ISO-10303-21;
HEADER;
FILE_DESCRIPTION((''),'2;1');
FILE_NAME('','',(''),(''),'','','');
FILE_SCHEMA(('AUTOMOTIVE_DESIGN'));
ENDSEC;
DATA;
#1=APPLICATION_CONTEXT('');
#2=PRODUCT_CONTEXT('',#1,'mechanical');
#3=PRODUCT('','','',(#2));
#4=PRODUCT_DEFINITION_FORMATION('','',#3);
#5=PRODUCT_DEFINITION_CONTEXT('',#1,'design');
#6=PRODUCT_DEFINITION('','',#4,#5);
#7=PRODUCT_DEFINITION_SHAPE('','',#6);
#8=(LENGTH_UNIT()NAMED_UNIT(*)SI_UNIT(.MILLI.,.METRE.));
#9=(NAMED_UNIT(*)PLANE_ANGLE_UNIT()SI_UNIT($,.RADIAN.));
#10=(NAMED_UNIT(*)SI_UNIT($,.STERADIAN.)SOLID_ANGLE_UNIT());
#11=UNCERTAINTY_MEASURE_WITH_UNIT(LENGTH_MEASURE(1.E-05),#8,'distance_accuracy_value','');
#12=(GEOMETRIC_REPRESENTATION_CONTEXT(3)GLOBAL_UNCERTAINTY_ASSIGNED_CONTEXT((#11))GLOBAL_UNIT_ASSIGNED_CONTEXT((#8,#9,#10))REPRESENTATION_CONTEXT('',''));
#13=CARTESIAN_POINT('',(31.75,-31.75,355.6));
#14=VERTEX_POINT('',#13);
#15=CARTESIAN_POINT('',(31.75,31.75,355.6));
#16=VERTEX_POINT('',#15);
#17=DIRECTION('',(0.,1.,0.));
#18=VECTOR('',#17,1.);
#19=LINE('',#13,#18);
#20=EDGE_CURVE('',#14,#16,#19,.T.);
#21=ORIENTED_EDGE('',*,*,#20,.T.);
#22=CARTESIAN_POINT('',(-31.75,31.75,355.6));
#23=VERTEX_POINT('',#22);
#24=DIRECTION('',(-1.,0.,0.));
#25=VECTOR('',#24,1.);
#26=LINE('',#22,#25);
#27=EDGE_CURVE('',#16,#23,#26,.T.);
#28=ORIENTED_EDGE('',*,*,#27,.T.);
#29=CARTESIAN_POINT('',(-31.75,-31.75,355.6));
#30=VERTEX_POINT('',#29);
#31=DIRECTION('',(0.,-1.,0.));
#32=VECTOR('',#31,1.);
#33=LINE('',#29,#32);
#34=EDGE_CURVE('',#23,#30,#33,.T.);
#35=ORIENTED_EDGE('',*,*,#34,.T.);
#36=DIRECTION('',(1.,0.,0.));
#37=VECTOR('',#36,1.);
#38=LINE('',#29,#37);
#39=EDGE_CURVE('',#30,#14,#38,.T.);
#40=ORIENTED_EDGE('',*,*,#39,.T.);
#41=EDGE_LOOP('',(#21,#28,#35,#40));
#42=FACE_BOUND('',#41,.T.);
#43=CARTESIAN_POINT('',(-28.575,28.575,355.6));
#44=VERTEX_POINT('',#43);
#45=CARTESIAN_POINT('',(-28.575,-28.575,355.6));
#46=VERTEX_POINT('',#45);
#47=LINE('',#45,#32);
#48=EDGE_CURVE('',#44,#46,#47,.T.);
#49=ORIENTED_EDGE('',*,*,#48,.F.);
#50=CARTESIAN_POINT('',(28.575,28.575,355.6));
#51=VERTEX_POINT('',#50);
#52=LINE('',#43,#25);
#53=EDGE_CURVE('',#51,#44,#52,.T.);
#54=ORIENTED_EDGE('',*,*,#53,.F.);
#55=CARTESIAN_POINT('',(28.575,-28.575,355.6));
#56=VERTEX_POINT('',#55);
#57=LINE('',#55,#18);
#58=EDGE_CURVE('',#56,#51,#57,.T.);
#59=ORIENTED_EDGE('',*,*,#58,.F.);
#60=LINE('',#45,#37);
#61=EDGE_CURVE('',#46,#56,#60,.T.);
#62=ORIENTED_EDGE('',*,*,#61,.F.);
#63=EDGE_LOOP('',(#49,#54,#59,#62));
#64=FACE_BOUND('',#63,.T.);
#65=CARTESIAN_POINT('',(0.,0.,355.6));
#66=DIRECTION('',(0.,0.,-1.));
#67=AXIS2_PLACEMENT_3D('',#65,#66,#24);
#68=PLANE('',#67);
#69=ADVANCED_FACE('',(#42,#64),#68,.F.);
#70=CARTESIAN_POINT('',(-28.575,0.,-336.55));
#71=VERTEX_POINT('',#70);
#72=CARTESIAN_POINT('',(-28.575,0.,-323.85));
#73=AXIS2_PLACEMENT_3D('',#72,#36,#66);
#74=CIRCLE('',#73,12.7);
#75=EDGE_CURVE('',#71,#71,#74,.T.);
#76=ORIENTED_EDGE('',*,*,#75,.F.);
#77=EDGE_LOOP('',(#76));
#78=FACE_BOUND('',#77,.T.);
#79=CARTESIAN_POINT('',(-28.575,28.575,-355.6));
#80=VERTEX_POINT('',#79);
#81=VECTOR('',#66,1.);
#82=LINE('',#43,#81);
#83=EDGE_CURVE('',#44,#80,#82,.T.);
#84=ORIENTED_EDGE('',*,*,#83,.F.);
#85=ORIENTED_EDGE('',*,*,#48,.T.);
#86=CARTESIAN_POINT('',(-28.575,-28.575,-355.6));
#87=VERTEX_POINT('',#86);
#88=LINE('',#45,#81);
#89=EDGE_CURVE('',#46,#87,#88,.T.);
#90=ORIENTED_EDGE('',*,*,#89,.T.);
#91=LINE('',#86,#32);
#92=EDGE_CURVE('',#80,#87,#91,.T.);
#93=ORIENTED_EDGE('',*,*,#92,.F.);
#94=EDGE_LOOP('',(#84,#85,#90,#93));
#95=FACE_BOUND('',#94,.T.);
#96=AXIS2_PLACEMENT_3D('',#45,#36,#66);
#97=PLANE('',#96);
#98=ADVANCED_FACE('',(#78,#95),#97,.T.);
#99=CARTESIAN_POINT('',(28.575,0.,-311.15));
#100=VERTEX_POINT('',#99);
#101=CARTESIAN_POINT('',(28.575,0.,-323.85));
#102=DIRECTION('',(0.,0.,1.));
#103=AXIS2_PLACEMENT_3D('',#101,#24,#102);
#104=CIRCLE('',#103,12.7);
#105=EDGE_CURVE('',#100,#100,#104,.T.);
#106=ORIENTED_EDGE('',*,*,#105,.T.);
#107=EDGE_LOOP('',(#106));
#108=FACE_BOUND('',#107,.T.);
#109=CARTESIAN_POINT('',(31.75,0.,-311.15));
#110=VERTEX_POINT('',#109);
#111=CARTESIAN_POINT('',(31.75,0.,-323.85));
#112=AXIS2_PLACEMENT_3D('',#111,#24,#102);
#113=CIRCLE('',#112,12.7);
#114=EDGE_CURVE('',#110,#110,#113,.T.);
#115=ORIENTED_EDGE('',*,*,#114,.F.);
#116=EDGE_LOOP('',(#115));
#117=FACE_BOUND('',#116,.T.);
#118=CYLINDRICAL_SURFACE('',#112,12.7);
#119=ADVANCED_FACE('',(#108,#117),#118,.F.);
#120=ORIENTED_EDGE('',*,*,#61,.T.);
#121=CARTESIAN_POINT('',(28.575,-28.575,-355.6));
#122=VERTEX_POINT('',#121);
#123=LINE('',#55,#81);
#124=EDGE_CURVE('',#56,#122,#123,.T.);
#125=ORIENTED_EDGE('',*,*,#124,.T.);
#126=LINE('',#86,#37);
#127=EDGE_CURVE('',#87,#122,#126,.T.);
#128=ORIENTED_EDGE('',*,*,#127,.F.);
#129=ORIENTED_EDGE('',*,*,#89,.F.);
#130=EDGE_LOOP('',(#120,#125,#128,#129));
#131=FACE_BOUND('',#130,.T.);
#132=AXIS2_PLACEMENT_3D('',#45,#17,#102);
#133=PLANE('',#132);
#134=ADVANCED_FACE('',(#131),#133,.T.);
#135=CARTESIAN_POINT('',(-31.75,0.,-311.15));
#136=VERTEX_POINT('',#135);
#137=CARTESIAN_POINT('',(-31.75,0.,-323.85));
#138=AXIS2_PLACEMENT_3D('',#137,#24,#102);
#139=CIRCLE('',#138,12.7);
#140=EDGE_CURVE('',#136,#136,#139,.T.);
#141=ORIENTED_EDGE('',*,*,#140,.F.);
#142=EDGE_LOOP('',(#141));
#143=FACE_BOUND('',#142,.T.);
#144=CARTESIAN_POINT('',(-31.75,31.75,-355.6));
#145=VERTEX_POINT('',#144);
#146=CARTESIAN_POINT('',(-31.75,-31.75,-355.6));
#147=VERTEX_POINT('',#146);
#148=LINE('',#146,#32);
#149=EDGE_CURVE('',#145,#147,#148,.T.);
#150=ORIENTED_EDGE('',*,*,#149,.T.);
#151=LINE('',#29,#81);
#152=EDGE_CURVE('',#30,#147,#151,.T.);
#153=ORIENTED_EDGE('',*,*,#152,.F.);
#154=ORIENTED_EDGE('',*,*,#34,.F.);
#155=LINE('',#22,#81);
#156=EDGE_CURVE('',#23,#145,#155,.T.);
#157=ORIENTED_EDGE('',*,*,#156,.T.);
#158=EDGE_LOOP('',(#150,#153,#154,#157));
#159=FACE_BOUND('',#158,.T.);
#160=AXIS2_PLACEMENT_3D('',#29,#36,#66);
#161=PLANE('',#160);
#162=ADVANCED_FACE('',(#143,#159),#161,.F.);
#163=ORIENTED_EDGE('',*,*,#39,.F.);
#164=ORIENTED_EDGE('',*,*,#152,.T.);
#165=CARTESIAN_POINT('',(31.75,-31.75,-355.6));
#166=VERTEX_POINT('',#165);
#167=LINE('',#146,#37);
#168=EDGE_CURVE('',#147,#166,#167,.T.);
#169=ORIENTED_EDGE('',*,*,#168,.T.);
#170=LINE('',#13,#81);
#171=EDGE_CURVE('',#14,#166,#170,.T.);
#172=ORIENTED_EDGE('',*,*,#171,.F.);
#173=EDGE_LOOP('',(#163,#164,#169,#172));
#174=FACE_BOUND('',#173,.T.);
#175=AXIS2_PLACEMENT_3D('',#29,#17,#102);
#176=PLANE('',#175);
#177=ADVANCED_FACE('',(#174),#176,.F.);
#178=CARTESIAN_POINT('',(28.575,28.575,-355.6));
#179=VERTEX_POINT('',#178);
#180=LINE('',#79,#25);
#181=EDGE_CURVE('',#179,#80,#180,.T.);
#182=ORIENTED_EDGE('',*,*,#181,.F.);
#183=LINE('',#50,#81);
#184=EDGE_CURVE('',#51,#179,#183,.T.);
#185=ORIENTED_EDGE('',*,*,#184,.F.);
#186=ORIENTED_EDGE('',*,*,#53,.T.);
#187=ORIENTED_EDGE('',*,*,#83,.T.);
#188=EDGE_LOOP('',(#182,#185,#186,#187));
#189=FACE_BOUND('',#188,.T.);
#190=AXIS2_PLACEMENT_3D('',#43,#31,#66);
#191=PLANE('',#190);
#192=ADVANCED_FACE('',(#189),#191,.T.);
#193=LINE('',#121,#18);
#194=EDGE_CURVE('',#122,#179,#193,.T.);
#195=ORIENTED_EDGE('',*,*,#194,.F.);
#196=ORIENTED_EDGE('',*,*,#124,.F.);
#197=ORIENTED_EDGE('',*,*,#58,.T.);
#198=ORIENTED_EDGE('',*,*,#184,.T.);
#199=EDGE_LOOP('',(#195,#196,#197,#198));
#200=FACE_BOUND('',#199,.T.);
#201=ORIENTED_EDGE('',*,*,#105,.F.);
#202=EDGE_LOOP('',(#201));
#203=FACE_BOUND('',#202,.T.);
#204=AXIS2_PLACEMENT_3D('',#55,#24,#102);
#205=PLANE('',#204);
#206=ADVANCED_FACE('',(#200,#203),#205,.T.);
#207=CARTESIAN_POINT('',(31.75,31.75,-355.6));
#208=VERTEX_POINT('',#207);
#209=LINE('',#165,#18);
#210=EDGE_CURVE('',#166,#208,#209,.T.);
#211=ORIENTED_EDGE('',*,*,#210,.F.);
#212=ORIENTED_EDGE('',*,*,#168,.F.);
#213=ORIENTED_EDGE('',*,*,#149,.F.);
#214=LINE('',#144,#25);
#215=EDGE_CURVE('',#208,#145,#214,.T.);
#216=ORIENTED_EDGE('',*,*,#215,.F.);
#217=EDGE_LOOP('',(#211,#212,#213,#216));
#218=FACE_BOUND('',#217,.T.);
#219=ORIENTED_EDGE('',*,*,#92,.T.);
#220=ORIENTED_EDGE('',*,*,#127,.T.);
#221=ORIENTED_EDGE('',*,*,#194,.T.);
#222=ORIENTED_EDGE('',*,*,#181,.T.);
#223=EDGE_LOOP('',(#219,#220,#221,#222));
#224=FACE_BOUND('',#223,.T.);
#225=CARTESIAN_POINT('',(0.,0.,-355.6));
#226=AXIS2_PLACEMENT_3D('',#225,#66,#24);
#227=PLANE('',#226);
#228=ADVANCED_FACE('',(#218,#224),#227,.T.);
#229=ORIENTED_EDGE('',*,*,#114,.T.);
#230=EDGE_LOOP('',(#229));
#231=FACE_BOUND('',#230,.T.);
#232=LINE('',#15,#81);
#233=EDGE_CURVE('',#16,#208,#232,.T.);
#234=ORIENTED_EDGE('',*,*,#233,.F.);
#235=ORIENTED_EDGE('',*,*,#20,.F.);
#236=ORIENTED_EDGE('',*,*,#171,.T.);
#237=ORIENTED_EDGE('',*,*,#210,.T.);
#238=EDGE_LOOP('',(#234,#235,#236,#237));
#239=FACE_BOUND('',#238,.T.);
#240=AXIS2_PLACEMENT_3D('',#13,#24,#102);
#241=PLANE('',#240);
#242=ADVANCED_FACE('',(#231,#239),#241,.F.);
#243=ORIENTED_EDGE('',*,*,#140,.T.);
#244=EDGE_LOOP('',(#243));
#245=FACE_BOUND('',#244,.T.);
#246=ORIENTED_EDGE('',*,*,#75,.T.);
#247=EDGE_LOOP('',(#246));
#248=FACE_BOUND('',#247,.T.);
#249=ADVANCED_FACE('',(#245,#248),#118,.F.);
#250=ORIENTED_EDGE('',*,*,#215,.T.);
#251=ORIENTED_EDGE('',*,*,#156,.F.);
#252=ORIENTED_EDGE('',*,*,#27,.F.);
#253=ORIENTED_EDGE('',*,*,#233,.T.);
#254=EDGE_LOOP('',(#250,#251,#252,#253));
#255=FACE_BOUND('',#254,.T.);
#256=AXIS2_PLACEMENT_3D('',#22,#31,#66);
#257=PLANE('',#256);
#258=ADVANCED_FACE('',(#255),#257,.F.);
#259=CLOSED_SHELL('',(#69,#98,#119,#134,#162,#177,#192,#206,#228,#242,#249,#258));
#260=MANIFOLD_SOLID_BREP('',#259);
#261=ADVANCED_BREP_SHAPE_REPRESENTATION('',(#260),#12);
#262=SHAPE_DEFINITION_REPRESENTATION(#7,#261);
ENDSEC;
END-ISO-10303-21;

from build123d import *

# Parameters (mm, degrees)
SKETCH1_W           = 63.5
SKETCH1_H           = 63.5
SKETCH1_W_2         = 57.15
SKETCH1_H_2         = 57.15
BOSS_EXTRUDE1_DEPTH = 355.6
SKETCH2_R           = 12.7
CUT_EXTRUDE1_DEPTH  = 363.617804996


with BuildPart() as part:
    # Sketch1 → Boss-Extrude1 (new, symmetric)
    with BuildSketch(Plane.XY):
        Rectangle(SKETCH1_W, SKETCH1_H)
        Rectangle(SKETCH1_W_2, SKETCH1_H_2, mode=Mode.SUBTRACT)
    extrude(amount=BOSS_EXTRUDE1_DEPTH, both=True)

    # Sketch2 → Cut-Extrude1 (cut, through all)
    with BuildSketch(Plane.ZY.offset(31.75)):
        with Locations((-323.85, 0)):
            Circle(SKETCH2_R)
    extrude(amount=-CUT_EXTRUDE1_DEPTH, mode=Mode.SUBTRACT)


solid = part.part
